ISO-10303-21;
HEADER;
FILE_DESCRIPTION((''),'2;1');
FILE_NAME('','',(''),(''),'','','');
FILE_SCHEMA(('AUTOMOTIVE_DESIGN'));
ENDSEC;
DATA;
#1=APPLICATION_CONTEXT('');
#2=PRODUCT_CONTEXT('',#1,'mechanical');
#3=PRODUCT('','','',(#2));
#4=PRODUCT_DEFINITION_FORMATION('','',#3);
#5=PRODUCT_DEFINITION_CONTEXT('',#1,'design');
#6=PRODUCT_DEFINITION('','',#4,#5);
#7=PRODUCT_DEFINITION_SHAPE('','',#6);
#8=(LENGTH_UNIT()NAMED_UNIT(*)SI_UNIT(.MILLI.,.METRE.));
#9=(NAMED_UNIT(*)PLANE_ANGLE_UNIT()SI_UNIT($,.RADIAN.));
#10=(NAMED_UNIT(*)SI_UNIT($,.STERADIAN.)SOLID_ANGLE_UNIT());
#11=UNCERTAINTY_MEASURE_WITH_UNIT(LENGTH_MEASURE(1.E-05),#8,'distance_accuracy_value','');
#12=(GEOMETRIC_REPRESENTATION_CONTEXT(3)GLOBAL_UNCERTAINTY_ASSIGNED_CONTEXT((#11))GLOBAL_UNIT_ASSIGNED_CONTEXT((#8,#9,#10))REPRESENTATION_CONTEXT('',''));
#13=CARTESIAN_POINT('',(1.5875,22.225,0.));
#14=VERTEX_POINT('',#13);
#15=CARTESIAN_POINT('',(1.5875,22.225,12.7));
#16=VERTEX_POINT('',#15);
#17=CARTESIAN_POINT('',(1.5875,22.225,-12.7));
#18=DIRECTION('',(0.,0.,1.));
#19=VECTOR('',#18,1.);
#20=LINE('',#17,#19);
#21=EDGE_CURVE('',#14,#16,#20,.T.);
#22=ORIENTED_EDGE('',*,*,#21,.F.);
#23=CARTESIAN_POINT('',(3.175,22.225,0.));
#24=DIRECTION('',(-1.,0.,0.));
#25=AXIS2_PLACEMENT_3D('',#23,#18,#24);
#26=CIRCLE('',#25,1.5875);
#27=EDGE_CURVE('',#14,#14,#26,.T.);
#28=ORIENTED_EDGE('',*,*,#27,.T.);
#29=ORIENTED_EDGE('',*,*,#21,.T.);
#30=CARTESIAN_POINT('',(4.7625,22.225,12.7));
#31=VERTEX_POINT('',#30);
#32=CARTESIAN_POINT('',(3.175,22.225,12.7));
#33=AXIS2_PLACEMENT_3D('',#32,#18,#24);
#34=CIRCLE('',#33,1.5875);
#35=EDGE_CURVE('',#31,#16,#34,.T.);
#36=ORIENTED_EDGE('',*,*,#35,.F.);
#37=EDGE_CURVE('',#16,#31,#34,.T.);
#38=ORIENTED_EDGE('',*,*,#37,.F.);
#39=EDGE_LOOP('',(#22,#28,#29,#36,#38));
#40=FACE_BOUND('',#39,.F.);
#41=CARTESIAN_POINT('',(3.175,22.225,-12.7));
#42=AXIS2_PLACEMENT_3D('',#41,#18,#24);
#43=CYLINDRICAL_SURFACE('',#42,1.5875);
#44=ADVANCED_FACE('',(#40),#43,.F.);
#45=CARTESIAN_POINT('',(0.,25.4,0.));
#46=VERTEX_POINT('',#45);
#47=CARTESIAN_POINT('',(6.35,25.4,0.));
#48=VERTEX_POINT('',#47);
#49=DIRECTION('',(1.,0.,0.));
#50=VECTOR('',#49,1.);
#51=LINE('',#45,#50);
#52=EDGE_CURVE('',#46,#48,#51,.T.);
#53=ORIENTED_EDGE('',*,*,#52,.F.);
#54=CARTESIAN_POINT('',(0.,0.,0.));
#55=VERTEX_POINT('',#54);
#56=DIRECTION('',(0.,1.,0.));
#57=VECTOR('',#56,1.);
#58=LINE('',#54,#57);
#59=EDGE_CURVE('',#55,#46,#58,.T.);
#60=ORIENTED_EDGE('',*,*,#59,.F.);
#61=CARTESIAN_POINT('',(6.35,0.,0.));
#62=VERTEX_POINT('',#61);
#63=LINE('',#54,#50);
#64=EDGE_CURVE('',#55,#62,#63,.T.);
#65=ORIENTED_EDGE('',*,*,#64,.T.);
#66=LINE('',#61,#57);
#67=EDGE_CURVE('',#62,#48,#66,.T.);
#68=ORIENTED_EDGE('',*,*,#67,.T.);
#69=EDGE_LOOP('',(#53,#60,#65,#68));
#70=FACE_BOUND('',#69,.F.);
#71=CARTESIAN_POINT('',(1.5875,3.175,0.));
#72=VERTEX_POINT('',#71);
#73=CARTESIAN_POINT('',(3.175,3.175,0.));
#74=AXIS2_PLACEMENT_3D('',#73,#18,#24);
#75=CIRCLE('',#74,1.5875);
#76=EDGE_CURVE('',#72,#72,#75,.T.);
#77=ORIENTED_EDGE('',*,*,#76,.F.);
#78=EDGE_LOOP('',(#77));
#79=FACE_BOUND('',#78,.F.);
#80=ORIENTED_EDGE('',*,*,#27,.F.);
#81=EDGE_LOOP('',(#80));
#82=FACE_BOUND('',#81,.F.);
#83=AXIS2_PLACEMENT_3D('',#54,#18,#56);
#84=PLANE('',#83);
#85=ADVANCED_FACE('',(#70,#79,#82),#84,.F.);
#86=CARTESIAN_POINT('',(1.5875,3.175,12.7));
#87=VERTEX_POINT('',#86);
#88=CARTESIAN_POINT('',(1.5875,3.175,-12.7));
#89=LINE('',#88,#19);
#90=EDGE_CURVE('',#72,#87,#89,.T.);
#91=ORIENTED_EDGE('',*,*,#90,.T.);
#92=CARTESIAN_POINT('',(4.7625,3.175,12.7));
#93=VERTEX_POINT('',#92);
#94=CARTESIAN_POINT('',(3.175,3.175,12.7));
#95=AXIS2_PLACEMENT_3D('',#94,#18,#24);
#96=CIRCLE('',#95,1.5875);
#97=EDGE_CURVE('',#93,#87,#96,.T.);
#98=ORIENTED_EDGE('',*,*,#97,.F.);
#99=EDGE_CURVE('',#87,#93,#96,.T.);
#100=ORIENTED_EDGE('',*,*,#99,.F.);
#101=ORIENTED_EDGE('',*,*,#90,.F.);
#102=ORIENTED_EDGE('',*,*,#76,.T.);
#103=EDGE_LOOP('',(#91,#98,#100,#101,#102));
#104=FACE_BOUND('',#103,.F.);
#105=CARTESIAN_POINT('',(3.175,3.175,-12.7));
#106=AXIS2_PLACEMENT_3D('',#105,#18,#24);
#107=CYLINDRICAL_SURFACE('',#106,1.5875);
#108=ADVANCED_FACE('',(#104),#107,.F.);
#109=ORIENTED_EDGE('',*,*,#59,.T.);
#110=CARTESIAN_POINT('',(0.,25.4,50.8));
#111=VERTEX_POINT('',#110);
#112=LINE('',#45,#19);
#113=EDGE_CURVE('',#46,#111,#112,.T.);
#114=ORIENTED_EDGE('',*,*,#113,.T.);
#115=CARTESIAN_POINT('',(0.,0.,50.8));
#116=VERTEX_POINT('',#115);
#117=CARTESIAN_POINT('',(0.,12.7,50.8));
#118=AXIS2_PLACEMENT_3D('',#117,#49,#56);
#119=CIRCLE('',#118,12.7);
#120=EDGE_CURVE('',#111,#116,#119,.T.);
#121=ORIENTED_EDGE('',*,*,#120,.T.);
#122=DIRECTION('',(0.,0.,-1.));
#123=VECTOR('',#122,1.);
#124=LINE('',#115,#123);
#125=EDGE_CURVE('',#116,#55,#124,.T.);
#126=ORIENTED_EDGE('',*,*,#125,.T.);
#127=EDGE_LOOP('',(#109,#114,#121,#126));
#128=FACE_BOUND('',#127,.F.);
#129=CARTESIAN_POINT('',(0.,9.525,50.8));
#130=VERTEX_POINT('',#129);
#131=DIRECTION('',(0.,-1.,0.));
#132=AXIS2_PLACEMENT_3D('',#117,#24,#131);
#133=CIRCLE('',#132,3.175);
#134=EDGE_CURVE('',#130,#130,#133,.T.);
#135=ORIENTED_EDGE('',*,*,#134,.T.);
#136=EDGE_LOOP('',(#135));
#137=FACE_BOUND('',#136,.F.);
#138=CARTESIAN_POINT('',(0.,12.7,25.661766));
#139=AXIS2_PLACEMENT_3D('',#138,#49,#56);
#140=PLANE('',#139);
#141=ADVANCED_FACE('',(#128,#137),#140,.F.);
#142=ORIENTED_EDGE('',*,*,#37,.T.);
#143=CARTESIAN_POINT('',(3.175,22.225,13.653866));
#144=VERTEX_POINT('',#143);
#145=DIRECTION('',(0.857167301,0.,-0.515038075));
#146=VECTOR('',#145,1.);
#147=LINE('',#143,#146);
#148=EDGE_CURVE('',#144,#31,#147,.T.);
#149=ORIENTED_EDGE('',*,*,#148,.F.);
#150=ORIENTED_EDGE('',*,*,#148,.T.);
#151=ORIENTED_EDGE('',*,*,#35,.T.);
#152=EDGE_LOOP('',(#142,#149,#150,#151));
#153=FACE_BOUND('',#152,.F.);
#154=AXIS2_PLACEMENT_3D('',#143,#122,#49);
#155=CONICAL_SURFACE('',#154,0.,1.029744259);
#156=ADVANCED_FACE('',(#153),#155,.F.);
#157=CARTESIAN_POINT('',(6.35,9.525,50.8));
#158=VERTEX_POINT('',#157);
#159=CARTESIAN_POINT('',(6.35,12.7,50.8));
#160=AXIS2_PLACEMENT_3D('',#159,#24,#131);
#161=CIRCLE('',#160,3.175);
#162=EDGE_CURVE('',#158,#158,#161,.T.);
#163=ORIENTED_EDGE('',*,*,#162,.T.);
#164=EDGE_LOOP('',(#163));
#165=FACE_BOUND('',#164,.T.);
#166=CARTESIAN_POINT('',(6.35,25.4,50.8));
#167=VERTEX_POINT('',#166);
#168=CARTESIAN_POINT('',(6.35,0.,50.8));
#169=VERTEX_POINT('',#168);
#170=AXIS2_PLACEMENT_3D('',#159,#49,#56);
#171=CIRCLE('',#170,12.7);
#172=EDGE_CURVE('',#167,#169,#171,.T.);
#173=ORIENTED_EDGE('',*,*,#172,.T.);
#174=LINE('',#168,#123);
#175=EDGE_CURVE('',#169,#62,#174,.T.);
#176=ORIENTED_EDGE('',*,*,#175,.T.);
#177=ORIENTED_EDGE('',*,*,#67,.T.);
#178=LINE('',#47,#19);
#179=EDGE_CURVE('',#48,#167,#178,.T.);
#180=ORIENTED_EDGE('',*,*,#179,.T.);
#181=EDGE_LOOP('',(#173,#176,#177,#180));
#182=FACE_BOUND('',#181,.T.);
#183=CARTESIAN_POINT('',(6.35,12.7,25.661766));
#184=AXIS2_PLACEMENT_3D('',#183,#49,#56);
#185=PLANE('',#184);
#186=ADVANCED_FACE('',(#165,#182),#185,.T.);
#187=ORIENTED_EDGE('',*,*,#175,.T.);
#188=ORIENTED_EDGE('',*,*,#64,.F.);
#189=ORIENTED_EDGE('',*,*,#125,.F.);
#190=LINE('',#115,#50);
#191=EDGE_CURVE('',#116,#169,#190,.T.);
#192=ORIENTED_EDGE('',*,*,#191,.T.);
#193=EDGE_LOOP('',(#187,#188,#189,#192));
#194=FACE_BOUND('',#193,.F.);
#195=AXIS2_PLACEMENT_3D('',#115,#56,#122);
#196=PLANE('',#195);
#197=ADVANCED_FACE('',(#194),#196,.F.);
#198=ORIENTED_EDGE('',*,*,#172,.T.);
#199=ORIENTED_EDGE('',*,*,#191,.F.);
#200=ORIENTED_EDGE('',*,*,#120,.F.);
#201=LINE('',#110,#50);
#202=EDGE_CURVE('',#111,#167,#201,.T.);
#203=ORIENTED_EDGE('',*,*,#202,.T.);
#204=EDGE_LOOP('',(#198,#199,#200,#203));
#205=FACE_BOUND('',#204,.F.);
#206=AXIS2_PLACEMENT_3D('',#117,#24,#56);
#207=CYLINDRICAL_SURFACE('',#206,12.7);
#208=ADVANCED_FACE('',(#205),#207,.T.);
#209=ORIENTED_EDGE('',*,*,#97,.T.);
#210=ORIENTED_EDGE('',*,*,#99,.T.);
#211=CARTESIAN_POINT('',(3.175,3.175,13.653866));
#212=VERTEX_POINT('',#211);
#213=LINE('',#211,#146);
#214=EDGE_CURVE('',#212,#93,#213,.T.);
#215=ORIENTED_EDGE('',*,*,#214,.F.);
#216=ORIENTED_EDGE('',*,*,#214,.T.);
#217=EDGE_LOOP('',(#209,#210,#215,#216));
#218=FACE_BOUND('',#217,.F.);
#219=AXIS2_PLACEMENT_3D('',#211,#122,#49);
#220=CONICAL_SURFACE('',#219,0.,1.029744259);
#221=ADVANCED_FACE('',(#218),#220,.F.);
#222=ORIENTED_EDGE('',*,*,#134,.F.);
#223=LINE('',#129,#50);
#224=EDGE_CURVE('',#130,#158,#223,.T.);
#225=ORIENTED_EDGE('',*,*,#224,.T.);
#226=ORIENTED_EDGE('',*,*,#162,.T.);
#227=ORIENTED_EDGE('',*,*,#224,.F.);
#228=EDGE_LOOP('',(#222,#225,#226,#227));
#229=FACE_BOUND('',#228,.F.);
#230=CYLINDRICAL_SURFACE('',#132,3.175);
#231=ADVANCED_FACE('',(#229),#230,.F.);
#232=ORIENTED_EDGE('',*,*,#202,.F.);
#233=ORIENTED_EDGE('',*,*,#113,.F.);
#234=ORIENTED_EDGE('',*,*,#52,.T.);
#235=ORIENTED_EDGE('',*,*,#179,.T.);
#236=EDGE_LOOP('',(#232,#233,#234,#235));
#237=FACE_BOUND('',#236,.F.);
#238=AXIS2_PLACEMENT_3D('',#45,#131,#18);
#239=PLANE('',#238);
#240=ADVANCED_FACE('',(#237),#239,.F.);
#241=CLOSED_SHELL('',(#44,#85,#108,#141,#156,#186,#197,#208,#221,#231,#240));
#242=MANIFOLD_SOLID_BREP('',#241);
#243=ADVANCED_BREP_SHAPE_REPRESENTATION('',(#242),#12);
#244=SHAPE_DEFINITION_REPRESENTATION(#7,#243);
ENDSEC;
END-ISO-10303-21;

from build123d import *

# Parameters (mm, degrees)
F1_DEPTH = 6.35
F3_D     = 3.175
F3_DEPTH = 12.7
F3_TIP   = 0.9538662327


with BuildPart() as f1:
    # F0 (on Right) → F1 (new body)
    with BuildSketch(Plane.YZ):
        with BuildLine():
            Line((0, 50.8), (0, 0))
            Line((0, 0), (25.4, 0))
            Line((25.4, 0), (25.4, 50.8))
            ThreePointArc((25.4, 50.8), (12.7, 38.1), (0, 50.8))
        make_face()
        with BuildLine():
            Line((9.525, 50.8), (0, 50.8))
            ThreePointArc((0, 50.8), (12.7, 38.1), (25.4, 50.8))
            Line((25.4, 50.8), (15.875, 50.8))
            ThreePointArc((15.875, 50.8), (12.7, 47.625), (9.525, 50.8))
        make_face()
        with BuildLine():
            ThreePointArc((25.4, 50.8), (12.7, 63.5), (0, 50.8))
            Line((0, 50.8), (9.525, 50.8))
            ThreePointArc((9.525, 50.8), (12.7, 53.975), (15.875, 50.8))
            Line((15.875, 50.8), (25.4, 50.8))
        make_face()
    extrude(amount=F1_DEPTH)

    # F3
    with Locations(Plane(origin=(0, 0, 0), x_dir=(1, 0, 0), z_dir=(0, 0, -1))):
        with Locations((3.175, -3.175), (3.175, -22.225)):
            Hole(F3_D / 2, depth=F3_DEPTH)
            with Locations((0, 0, -(F3_DEPTH + F3_TIP / 2))):  # 118° drill point
                Cone(0, F3_D / 2, F3_TIP, mode=Mode.SUBTRACT)


solid = f1.part
